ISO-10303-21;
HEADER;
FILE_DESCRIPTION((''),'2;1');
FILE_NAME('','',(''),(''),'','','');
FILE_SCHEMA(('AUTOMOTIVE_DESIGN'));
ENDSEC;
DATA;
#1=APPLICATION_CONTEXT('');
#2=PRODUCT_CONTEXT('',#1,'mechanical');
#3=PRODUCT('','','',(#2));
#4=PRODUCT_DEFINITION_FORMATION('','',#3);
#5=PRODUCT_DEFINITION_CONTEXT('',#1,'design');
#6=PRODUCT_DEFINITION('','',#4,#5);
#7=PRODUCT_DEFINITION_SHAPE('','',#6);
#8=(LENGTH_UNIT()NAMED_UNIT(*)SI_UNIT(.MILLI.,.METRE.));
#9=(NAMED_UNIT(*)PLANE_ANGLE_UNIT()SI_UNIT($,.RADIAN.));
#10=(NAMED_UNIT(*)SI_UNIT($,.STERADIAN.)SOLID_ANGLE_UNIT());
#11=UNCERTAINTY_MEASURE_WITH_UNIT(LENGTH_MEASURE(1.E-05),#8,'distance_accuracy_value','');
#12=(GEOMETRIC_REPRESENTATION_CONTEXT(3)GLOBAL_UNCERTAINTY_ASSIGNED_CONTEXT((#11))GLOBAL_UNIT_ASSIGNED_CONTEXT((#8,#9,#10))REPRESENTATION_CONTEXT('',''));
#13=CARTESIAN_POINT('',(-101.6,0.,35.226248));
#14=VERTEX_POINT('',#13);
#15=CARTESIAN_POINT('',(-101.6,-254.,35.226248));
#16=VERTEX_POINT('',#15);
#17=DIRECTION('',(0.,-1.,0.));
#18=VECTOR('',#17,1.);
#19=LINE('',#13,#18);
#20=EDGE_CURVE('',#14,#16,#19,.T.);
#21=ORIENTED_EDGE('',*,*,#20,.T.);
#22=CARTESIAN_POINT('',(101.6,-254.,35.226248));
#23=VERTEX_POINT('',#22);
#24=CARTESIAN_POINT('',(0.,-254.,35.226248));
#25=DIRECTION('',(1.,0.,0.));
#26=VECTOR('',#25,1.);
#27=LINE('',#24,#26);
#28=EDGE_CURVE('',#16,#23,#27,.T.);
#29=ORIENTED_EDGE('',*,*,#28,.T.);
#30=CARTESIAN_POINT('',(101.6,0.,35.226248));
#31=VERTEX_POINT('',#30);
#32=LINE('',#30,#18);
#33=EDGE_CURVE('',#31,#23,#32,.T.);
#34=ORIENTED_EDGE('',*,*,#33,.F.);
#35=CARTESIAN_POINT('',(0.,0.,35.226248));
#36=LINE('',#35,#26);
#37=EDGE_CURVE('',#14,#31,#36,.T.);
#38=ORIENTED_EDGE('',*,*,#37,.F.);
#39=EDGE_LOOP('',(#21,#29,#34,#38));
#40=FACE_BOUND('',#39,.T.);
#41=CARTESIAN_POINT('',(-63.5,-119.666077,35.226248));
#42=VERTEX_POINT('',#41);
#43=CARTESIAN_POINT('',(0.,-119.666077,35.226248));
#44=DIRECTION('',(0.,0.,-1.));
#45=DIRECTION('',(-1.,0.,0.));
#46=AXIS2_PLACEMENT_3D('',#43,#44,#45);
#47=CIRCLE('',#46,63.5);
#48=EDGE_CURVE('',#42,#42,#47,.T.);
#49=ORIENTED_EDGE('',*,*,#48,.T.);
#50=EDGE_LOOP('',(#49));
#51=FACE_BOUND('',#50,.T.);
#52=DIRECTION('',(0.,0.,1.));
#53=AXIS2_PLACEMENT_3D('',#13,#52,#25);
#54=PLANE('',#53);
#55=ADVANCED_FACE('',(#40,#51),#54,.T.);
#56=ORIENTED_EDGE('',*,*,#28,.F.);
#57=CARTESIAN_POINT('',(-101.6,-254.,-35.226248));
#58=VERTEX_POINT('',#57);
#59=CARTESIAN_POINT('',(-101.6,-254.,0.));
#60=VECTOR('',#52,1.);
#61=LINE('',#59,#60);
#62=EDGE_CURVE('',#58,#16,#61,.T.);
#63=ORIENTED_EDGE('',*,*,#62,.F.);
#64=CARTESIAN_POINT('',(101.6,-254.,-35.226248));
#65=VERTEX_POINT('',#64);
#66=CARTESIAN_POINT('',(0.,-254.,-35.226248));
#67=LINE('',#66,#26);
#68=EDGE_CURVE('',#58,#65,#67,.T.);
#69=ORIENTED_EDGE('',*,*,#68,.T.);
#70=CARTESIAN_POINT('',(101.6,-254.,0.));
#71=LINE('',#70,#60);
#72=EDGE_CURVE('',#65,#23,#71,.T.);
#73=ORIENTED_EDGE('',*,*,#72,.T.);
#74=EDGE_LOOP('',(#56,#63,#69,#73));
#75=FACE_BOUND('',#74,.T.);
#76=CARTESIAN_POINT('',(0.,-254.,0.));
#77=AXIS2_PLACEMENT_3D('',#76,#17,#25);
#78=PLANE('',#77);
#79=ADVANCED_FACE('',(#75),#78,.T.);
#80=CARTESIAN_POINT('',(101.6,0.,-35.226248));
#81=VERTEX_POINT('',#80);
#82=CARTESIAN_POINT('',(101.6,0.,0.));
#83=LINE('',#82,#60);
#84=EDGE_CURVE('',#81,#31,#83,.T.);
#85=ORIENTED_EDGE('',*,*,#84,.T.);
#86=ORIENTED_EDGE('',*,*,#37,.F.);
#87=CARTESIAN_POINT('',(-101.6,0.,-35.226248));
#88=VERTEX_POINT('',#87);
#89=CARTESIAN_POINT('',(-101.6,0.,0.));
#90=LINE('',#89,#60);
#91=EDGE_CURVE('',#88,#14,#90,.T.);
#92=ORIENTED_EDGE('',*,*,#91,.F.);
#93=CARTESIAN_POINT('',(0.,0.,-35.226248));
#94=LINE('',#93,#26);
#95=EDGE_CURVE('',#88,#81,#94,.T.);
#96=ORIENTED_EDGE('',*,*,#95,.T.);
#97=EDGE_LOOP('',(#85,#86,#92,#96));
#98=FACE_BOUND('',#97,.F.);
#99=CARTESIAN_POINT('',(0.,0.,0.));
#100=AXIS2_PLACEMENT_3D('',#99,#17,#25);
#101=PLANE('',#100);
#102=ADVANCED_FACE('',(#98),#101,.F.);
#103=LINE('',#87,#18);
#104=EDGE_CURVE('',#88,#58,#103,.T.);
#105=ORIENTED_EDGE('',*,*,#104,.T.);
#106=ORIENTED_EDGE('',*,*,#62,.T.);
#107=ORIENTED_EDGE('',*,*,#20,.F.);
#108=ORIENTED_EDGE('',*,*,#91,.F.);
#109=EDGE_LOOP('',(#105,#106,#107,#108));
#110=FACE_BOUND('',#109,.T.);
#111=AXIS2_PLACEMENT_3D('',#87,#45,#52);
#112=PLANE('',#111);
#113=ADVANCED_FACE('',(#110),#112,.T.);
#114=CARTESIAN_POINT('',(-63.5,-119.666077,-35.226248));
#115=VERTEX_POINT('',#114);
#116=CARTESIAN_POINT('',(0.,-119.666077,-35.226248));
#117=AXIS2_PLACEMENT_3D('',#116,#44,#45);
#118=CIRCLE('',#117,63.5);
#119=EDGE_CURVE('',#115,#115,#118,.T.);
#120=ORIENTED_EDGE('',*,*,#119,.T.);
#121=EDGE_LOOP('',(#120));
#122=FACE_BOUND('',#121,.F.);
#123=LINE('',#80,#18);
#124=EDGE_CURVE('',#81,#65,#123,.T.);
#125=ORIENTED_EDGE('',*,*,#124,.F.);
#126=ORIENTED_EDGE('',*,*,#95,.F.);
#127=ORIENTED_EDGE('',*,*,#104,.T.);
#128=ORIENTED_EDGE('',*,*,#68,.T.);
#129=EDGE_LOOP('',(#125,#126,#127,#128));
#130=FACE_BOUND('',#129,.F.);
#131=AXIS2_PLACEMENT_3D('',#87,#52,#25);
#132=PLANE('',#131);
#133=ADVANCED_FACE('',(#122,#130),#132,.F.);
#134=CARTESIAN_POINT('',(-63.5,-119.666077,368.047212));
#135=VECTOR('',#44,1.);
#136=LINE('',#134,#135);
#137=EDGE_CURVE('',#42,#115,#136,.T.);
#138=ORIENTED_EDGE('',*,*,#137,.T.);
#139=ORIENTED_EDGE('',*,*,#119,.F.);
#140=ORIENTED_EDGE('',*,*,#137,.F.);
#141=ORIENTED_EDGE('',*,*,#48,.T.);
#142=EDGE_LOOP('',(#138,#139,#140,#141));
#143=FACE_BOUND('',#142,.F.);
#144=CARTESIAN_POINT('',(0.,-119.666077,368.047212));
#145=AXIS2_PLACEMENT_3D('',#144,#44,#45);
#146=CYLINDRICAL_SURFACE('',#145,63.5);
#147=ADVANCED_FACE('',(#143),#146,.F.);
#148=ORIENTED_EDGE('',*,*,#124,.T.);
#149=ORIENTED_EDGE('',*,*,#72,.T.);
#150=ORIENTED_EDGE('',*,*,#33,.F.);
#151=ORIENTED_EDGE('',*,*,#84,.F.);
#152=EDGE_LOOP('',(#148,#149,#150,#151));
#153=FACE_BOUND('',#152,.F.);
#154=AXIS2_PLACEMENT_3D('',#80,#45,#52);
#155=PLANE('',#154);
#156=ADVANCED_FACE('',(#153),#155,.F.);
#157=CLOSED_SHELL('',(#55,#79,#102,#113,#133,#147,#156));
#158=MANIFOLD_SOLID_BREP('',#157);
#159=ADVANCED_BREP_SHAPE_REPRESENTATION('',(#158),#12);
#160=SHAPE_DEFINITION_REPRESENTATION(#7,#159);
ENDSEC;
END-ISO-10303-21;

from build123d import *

# Parameters (mm, degrees)
F0_W     = 203.2
F0_H     = 70.452496
F1_DEPTH = 254
F3_D     = 127


with BuildPart() as f1:
    # F0 (on Front) → F1 (new body)
    with BuildSketch(Plane.XZ):
        Rectangle(F0_W, F0_H)
    extrude(amount=F1_DEPTH)

    # F3 (through all)
    with Locations(Plane.XY.offset(35.226248)):
        with Locations((0, -119.666077)):
            Hole(F3_D / 2)


solid = f1.part
